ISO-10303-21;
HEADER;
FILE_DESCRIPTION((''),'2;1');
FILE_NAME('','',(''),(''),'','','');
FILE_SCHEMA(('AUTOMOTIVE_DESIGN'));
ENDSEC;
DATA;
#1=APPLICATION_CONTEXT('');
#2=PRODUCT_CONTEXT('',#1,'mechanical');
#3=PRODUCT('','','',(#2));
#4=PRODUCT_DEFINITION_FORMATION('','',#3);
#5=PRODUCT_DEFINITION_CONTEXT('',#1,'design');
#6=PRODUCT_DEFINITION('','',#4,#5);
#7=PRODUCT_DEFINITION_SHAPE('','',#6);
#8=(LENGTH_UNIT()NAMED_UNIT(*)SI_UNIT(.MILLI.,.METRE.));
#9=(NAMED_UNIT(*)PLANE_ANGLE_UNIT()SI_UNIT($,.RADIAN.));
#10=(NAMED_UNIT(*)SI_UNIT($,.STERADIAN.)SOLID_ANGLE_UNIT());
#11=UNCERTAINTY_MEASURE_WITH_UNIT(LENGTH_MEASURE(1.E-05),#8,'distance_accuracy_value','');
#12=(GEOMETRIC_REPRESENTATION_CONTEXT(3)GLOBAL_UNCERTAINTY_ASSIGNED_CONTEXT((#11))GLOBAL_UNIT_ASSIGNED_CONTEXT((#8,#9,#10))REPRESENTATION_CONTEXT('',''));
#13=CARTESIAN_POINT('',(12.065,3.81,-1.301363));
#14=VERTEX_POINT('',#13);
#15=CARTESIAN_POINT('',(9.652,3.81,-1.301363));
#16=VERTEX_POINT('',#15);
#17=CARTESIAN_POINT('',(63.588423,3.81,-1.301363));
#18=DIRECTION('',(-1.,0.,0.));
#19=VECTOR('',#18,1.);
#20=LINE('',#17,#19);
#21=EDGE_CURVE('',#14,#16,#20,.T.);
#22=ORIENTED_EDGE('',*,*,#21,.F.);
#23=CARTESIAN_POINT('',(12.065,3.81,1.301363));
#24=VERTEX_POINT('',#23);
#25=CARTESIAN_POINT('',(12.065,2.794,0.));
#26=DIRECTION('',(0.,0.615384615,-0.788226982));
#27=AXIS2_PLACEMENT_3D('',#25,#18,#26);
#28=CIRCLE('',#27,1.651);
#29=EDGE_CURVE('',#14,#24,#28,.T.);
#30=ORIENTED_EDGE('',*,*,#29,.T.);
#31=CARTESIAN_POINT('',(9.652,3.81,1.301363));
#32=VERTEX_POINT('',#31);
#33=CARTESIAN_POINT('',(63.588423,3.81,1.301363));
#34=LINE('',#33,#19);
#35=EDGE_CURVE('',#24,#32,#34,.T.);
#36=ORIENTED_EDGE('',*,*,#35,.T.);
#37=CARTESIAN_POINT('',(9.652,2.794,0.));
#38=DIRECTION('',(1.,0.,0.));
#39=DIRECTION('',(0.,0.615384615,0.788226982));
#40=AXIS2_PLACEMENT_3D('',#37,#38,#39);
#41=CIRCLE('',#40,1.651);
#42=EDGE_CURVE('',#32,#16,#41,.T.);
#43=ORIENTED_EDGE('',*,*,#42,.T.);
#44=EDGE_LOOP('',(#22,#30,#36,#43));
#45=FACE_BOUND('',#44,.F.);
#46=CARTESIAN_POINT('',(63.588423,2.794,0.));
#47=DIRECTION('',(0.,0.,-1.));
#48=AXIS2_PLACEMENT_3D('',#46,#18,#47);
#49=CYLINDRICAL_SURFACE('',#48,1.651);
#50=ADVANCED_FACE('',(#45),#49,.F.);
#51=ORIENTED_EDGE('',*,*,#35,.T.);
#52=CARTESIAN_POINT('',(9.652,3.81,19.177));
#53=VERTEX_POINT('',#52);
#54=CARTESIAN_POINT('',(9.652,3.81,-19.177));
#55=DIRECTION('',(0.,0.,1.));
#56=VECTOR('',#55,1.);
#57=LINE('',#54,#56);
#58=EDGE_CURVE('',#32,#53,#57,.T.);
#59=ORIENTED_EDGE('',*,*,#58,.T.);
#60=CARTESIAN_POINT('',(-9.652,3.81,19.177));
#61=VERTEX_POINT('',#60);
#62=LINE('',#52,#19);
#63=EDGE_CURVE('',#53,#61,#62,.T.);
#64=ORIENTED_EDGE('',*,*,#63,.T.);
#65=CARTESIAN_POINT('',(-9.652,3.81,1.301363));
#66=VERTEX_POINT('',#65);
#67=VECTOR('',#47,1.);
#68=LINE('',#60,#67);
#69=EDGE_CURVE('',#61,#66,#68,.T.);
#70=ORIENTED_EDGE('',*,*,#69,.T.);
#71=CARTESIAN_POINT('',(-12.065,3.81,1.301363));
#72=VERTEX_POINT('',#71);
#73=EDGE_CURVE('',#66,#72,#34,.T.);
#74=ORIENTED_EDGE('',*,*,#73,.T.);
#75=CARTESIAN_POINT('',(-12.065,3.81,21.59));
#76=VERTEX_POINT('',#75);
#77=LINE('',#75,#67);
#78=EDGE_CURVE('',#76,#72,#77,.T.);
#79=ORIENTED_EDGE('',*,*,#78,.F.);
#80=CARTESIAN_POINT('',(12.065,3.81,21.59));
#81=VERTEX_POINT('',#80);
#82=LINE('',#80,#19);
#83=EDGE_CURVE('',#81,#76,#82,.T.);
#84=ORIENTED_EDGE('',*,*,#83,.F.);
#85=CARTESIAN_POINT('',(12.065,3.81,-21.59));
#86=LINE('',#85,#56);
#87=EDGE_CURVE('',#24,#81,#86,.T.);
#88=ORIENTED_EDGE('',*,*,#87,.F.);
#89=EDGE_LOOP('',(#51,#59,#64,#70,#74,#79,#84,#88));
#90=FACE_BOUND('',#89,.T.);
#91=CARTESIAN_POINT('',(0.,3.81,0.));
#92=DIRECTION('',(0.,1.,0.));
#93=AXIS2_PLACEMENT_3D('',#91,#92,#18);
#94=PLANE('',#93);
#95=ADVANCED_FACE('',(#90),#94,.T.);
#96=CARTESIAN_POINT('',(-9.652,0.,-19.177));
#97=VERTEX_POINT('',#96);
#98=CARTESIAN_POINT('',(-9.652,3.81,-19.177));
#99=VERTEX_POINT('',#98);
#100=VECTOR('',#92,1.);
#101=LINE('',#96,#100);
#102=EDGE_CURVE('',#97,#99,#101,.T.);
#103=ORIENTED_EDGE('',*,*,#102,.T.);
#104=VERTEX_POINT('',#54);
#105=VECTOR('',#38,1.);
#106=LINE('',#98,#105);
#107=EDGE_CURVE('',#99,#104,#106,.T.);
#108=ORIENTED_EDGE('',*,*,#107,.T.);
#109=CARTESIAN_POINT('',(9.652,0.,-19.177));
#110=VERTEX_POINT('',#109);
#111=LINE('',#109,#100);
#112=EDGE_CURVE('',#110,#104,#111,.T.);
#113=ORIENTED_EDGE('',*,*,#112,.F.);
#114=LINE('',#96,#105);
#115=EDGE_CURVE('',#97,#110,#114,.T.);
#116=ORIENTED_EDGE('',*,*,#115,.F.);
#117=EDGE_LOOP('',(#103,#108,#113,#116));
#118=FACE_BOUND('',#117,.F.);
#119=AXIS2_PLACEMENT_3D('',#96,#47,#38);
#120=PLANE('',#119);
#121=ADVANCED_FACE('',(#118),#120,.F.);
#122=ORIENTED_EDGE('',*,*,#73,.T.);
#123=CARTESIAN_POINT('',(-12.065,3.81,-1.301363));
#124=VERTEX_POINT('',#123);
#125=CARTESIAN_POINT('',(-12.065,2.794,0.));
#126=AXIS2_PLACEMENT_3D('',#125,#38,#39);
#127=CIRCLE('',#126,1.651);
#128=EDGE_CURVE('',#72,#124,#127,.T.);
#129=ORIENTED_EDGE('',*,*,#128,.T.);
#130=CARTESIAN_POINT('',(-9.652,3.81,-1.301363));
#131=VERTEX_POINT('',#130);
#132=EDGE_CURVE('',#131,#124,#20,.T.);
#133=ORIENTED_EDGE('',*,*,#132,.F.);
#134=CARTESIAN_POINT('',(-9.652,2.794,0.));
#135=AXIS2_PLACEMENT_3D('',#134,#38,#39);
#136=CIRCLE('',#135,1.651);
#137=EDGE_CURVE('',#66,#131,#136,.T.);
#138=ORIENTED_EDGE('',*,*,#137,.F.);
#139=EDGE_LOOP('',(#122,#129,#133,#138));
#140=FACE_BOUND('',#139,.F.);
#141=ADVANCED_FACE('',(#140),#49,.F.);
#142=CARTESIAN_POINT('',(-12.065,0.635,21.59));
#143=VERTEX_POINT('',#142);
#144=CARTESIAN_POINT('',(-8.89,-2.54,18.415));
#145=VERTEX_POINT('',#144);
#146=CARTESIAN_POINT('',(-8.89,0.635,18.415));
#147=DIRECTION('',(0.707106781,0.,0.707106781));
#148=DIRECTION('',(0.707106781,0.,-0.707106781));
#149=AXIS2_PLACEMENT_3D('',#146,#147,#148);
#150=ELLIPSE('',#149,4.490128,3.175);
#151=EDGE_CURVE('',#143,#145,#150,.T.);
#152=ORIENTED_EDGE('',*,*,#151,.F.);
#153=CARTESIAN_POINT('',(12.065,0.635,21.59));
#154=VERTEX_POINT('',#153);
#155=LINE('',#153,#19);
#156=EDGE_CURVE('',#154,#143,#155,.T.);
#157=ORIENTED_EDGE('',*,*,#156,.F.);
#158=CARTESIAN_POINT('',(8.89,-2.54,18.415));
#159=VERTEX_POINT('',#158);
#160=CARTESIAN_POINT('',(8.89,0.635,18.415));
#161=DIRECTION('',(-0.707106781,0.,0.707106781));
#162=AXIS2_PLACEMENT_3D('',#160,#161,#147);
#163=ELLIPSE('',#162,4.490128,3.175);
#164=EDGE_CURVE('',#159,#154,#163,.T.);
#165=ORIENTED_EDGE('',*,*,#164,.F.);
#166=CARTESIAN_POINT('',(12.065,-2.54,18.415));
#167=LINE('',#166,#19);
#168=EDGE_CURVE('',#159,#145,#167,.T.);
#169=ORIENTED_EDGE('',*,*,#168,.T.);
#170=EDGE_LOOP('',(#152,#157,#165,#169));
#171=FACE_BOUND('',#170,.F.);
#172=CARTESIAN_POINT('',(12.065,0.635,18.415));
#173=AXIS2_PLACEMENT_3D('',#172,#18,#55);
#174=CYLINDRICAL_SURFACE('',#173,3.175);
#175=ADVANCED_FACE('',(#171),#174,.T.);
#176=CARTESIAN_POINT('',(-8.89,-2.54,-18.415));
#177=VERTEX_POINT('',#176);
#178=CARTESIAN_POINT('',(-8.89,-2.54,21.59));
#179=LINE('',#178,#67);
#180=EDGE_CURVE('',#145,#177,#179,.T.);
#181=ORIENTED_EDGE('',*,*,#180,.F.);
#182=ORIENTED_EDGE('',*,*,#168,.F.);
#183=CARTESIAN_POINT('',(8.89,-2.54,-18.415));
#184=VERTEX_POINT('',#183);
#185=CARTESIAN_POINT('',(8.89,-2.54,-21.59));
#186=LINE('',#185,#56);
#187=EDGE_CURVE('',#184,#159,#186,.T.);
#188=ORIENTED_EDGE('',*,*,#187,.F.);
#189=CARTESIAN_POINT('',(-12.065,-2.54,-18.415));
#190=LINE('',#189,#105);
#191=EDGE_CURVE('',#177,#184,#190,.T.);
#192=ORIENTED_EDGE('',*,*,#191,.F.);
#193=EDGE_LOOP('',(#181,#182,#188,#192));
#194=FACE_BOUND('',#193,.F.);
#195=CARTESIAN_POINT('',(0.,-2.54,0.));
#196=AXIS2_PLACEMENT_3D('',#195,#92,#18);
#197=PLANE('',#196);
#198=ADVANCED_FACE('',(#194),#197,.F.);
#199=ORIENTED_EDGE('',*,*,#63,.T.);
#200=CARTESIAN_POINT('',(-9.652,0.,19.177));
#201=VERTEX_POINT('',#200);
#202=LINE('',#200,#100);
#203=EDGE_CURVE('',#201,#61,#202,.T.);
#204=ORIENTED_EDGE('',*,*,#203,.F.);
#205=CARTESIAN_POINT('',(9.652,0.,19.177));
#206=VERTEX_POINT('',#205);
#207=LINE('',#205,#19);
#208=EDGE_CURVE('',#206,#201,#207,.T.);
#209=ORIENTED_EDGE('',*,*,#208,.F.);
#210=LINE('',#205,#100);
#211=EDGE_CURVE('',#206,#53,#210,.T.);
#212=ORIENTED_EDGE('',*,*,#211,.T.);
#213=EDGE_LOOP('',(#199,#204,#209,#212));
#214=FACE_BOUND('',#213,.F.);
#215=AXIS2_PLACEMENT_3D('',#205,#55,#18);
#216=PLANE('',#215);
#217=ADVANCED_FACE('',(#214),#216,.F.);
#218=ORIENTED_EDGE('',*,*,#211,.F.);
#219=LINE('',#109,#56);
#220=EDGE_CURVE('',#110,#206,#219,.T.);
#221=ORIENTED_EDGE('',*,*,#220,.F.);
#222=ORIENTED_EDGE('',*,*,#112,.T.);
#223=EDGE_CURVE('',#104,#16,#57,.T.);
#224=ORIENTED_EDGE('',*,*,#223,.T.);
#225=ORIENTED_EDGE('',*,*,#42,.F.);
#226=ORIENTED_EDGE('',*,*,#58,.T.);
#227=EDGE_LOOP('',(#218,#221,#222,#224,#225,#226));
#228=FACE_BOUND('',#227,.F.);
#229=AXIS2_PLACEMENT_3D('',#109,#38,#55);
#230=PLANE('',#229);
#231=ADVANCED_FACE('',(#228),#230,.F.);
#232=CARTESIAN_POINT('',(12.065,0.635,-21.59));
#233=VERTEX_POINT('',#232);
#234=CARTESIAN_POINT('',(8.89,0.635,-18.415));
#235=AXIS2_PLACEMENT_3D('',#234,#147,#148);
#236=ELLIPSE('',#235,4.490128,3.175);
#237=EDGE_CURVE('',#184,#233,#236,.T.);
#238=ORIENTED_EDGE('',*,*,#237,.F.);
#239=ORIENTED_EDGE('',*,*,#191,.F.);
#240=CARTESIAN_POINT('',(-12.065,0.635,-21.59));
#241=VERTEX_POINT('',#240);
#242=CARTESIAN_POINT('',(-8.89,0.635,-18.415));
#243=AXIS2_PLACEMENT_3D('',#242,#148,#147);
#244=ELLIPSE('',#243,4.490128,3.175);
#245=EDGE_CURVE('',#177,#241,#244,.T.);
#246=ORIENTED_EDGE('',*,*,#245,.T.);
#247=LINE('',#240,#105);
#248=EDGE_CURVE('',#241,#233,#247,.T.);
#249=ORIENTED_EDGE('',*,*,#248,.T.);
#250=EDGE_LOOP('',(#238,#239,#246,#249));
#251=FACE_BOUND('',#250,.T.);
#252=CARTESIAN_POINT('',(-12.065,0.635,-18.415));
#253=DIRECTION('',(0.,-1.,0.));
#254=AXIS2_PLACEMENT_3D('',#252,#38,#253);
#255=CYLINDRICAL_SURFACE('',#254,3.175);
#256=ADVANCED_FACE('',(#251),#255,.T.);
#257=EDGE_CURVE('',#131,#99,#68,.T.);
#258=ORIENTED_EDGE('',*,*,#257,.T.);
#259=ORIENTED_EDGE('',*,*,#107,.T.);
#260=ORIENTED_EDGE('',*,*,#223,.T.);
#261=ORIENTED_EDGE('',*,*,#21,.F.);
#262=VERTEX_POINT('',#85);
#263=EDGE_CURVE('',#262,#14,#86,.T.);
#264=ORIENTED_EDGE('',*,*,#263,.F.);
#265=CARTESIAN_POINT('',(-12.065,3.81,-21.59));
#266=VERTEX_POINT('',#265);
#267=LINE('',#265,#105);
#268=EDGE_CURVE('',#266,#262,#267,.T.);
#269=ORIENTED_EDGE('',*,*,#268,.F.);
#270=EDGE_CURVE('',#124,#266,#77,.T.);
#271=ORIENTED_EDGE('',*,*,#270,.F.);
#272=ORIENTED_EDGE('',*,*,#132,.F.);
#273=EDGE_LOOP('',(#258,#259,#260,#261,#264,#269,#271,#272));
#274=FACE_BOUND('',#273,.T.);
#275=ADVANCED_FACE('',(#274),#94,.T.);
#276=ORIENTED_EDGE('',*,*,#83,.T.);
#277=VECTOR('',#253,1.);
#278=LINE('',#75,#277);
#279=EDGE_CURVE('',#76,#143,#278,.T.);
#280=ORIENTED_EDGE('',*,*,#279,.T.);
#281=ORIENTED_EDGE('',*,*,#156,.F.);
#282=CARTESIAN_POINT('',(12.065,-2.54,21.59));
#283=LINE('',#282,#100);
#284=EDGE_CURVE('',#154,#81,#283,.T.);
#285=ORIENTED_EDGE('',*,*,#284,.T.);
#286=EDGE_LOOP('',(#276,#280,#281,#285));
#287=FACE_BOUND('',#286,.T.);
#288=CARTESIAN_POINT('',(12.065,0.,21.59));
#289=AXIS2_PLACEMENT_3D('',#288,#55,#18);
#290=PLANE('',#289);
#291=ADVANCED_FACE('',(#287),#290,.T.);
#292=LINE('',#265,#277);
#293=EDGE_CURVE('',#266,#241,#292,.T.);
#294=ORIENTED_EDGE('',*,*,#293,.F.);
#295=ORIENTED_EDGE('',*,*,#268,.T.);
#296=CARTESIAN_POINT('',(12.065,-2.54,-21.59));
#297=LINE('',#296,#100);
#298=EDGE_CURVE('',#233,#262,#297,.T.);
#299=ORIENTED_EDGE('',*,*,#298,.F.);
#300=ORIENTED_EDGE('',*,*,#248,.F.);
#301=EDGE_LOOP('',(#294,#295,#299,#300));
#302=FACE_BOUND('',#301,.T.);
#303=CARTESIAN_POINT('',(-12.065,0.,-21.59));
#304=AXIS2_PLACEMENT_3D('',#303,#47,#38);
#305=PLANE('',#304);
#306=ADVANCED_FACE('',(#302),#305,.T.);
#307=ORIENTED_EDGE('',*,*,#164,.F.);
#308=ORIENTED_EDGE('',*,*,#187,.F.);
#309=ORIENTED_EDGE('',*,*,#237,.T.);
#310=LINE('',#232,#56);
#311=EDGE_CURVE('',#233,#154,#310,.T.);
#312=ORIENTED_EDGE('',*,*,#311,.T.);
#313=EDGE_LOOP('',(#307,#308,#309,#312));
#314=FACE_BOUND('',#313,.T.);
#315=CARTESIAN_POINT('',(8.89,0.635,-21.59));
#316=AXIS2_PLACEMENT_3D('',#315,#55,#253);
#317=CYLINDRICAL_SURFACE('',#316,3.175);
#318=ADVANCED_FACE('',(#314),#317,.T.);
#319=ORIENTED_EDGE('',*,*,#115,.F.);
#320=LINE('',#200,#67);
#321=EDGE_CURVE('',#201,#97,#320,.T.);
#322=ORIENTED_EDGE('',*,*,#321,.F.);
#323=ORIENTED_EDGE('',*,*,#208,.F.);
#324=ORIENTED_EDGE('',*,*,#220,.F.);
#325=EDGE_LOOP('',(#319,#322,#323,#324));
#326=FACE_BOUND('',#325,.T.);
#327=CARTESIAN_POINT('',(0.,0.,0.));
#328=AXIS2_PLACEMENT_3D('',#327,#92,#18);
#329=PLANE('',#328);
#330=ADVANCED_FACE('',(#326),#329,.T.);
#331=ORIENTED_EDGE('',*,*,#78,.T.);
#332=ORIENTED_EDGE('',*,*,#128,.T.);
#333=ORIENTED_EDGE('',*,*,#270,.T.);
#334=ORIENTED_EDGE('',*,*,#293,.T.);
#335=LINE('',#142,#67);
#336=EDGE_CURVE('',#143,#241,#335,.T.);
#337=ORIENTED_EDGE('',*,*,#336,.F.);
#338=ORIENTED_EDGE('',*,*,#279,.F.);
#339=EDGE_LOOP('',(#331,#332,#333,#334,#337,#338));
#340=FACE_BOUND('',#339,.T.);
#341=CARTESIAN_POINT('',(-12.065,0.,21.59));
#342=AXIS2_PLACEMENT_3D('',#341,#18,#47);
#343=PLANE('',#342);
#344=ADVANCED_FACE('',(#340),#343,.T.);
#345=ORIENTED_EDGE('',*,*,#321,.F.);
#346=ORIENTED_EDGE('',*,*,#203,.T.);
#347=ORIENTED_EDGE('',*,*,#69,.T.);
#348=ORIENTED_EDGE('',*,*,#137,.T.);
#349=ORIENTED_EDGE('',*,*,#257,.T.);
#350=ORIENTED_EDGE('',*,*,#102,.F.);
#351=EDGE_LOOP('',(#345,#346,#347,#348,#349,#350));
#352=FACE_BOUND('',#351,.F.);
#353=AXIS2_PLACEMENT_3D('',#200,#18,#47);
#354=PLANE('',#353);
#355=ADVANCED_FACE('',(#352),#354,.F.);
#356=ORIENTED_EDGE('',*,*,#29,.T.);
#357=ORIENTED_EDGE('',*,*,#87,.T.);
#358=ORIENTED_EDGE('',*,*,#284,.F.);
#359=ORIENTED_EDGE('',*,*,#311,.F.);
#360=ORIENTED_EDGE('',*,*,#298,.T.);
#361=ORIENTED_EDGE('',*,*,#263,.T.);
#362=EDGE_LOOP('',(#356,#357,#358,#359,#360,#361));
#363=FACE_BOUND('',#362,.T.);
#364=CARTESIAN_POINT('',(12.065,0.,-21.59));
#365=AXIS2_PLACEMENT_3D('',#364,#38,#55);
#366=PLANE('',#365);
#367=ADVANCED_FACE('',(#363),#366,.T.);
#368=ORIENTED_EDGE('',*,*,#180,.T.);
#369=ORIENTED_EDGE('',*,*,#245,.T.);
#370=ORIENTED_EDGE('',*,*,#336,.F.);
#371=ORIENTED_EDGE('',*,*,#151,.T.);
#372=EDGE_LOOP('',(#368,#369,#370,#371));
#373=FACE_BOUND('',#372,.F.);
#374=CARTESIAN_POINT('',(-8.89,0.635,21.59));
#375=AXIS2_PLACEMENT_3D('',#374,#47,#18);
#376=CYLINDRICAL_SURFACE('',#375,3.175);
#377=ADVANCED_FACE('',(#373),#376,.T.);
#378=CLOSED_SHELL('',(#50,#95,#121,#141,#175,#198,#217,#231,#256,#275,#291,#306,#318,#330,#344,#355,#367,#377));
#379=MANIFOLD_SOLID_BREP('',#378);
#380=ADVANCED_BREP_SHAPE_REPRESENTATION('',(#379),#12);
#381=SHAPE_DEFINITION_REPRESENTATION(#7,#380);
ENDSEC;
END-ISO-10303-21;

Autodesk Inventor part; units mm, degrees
ref_plane "YZ Plane" through (0, 0, 0) normal (1, 0, 0) x (0, 1, 0)
ref_plane "XZ Plane" through (0, 0, 0) normal (0, 1, 0) x (-1, 0, 0)
ref_plane "XY Plane" through (0, 0, 0) normal (0, 0, 1) x (1, 0, 0)
sketch "Sketch1" plane through (0, 0, 0) normal (0, 1, 0) x (-1, 0, 0)
  line L0 (-12.065, 21.59) -> (12.065, 21.59)
  line L1 (12.065, 21.59) -> (12.065, -21.59)
  line L2 (12.065, -21.59) -> (-12.065, -21.59)
  line L3 (-12.065, -21.59) -> (-12.065, 21.59)
  line L4 (-12.065, 21.59) -> (12.065, -21.59) construction
  line L5 (12.065, 21.59) -> (-12.065, -21.59) construction
  line L6 (-9.652, 19.177) -> (9.652, 19.177)
  line L7 (9.652, 19.177) -> (9.652, -19.177)
  line L8 (9.652, -19.177) -> (-9.652, -19.177)
  line L9 (-9.652, -19.177) -> (-9.652, 19.177)
  line L10 (-9.652, 19.177) -> (9.652, -19.177) construction
  line L11 (9.652, 19.177) -> (-9.652, -19.177) construction
  point P0 (0, 0)
  dimension "d0" = 24.13
  dimension "d1" = 43.18
  dimension "d2" = 19.304
  dimension "d3" = 38.354
extrude "Extrusion1" add sketch "Sketch1" along normal blind 3.81
extrude "Extrusion2" add sketch "Sketch1" against normal blind 2.54 contours L0 L1 L2 L3 | L6 L7 L8 L9
sketch "Sketch2" plane through (-9.652, 3.81, 19.177) normal (1, 0, 0) x (0, 0, -1)
  line L0 (19.177, -3.81) -> (19.177, -1.016)
  dimension "d8" = 2.794
hole "Hole1" at (-9.652, 2.794, 0) direction (-1, 0, 0) diameter 3.302 end through all both
fillet "Fillet1" radius 3.175 4 edges at (0, -2.54, -21.59) (12.065, -2.54, 0) (-12.065, -2.54, 0) (0, -2.54, 21.59)
properties part number "HomemadeSensorHousing 8020-Lid"
